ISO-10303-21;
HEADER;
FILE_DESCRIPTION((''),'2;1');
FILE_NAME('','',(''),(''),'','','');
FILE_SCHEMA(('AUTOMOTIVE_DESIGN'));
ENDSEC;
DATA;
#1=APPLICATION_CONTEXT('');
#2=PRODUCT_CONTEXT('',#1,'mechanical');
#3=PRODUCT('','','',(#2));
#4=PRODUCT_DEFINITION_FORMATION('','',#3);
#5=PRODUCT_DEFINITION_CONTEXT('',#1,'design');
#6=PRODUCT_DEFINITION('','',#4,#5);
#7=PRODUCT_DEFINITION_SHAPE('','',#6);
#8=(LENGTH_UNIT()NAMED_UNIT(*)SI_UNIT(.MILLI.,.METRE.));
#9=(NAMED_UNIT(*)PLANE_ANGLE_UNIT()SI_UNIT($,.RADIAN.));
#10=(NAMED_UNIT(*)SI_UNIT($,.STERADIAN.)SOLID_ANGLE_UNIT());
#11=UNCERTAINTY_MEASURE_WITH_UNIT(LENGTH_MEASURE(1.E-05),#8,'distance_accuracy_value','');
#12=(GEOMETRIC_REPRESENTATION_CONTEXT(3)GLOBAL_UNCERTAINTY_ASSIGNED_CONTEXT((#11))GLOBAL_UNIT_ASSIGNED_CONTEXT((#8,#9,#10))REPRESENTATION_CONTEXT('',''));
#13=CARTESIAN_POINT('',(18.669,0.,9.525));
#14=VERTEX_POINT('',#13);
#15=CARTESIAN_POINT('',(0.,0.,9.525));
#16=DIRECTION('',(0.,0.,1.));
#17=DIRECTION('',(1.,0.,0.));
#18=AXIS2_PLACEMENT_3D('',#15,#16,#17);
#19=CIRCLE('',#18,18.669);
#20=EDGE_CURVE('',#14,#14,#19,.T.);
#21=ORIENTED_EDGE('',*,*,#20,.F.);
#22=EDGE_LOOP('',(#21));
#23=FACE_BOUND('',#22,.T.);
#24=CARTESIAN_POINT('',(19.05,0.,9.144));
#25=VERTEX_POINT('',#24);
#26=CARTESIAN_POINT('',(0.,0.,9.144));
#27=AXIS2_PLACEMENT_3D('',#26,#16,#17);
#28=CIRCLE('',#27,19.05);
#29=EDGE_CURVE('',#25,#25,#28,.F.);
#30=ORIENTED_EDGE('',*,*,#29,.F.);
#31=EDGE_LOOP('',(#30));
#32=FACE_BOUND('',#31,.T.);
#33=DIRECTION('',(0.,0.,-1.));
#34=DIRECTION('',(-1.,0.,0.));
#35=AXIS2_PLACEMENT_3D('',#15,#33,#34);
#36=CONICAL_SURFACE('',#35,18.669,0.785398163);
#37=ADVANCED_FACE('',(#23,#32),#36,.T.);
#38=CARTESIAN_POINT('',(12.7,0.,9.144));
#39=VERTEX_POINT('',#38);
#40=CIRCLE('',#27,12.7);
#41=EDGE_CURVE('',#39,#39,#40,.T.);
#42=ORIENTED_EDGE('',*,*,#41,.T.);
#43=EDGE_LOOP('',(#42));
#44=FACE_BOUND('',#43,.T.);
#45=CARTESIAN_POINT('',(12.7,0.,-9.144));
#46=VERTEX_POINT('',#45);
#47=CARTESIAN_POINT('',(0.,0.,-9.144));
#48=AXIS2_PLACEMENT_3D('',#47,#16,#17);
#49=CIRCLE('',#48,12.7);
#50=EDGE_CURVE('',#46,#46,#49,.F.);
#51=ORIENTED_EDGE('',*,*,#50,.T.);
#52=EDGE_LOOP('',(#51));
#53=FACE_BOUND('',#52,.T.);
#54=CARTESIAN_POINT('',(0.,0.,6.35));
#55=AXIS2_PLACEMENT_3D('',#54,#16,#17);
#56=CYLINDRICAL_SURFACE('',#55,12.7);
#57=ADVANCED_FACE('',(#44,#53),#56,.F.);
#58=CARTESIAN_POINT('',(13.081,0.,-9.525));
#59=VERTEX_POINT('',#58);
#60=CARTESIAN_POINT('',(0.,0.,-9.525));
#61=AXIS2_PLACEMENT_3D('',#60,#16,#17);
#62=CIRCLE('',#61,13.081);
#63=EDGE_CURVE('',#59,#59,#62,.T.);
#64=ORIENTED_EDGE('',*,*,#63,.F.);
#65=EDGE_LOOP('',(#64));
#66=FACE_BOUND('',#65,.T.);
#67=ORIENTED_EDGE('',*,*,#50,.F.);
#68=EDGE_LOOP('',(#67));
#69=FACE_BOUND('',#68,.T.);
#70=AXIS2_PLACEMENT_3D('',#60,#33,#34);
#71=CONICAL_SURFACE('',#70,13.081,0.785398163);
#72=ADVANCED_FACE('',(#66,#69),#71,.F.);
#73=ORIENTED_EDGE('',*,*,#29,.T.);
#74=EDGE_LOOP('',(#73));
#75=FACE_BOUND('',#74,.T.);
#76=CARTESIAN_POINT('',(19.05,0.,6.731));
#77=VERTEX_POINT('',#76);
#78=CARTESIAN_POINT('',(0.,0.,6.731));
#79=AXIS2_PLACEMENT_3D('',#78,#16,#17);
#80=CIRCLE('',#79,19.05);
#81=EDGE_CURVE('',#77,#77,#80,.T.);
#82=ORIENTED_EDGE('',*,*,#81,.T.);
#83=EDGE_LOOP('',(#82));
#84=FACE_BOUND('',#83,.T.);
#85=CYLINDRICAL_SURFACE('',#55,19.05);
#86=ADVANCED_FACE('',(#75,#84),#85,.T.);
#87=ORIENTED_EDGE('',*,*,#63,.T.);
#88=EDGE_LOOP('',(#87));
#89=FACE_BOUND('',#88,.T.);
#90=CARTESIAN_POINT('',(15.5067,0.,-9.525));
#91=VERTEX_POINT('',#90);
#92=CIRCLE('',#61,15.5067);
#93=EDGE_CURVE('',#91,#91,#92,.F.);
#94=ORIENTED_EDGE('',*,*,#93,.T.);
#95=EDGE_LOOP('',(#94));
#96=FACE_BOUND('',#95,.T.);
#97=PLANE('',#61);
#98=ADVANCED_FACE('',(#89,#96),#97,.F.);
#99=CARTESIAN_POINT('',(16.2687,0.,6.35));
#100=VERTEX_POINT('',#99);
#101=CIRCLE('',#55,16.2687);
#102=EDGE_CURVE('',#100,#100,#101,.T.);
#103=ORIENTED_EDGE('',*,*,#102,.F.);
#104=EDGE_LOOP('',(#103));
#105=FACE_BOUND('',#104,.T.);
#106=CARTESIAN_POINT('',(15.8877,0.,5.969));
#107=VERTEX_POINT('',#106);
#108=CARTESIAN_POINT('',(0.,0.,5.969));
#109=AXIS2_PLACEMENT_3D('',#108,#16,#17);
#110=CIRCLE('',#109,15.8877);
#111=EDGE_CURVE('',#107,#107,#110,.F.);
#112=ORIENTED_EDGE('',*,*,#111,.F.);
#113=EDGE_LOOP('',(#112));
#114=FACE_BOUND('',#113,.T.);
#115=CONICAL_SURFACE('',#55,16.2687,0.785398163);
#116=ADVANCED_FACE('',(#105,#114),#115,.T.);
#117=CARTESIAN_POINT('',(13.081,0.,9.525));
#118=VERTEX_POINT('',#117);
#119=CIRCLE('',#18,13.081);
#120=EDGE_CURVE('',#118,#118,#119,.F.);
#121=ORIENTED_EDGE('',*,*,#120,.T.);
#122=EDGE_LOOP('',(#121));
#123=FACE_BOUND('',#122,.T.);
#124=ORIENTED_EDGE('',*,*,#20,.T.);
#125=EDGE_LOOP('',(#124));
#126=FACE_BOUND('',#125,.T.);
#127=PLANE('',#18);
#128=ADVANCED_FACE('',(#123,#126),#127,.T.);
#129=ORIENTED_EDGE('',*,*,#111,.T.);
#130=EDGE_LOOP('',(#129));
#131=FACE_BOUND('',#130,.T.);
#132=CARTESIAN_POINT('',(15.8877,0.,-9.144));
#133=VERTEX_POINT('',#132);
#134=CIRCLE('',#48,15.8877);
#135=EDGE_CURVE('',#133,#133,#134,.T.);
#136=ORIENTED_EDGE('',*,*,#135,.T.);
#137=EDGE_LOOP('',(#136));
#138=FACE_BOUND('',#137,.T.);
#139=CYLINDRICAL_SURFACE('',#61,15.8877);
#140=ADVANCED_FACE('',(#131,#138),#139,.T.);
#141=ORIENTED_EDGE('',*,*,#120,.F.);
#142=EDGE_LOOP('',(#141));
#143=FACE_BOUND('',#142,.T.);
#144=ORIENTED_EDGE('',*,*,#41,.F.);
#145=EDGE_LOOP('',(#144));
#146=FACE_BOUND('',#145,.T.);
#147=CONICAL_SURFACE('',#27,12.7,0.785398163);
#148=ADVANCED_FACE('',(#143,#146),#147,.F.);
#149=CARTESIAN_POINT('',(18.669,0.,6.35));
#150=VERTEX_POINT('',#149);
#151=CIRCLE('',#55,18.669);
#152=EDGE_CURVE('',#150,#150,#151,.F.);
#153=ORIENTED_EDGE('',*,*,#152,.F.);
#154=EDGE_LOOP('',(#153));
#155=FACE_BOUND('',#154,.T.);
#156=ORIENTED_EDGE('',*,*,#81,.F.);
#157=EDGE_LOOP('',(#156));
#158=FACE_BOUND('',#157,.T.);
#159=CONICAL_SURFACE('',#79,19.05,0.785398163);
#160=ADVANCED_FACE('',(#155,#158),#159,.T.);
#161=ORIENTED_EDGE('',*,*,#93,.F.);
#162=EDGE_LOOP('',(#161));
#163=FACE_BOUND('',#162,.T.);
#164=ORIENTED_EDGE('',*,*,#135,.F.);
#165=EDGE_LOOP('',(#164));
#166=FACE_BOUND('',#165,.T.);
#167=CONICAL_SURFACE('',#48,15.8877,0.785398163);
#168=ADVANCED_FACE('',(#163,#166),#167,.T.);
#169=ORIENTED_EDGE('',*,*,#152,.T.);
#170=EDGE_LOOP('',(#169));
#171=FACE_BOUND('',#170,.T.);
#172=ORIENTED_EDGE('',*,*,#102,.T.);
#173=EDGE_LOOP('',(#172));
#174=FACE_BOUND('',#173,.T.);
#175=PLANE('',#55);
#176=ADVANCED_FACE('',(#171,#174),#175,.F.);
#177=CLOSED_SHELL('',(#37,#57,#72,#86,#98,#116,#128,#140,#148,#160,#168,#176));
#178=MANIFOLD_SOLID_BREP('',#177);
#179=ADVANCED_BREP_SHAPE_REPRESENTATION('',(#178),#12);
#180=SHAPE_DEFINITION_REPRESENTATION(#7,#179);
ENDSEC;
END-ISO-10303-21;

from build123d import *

# Parameters (mm, degrees)
BOSS_EXTRUDE1_START = 9.525
SKETCH3_R           = 19.05
SKETCH3_R_2         = 12.7
BOSS_EXTRUDE1_DEPTH = 3.175
BOSS_EXTRUDE2_START = 6.35
SKETCH4_R           = 15.8877
SKETCH4_R_2         = 12.7
BOSS_EXTRUDE2_DEPTH = 15.875
CHAMFER1_SIZE       = 0.381


with BuildPart() as part:
    # Sketch3 → Boss-Extrude1 (new body)
    with BuildSketch(Plane.XY.offset(BOSS_EXTRUDE1_START)):
        Circle(SKETCH3_R)
        Circle(SKETCH3_R_2, mode=Mode.SUBTRACT)
    extrude(amount=-BOSS_EXTRUDE1_DEPTH)

    # Sketch4 → Boss-Extrude2 (add)
    with BuildSketch(Plane.XY.offset(BOSS_EXTRUDE2_START)):
        Circle(SKETCH4_R)
        Circle(SKETCH4_R_2, mode=Mode.SUBTRACT)
    extrude(amount=-BOSS_EXTRUDE2_DEPTH)

    # Chamfer1
    chamfer1_edges = [part.edges().sort_by_distance(p)[0] for p in [
        (-12.7, 0, -9.525),
        (-15.8877, 0, 6.35),
        (-19.05, 0, 9.525),
        (-19.05, 0, 6.35),
        (-12.7, 0, 9.525),
        (-15.8877, 0, -9.525),
    ]]
    chamfer(chamfer1_edges, length=CHAMFER1_SIZE)


solid = part.part
